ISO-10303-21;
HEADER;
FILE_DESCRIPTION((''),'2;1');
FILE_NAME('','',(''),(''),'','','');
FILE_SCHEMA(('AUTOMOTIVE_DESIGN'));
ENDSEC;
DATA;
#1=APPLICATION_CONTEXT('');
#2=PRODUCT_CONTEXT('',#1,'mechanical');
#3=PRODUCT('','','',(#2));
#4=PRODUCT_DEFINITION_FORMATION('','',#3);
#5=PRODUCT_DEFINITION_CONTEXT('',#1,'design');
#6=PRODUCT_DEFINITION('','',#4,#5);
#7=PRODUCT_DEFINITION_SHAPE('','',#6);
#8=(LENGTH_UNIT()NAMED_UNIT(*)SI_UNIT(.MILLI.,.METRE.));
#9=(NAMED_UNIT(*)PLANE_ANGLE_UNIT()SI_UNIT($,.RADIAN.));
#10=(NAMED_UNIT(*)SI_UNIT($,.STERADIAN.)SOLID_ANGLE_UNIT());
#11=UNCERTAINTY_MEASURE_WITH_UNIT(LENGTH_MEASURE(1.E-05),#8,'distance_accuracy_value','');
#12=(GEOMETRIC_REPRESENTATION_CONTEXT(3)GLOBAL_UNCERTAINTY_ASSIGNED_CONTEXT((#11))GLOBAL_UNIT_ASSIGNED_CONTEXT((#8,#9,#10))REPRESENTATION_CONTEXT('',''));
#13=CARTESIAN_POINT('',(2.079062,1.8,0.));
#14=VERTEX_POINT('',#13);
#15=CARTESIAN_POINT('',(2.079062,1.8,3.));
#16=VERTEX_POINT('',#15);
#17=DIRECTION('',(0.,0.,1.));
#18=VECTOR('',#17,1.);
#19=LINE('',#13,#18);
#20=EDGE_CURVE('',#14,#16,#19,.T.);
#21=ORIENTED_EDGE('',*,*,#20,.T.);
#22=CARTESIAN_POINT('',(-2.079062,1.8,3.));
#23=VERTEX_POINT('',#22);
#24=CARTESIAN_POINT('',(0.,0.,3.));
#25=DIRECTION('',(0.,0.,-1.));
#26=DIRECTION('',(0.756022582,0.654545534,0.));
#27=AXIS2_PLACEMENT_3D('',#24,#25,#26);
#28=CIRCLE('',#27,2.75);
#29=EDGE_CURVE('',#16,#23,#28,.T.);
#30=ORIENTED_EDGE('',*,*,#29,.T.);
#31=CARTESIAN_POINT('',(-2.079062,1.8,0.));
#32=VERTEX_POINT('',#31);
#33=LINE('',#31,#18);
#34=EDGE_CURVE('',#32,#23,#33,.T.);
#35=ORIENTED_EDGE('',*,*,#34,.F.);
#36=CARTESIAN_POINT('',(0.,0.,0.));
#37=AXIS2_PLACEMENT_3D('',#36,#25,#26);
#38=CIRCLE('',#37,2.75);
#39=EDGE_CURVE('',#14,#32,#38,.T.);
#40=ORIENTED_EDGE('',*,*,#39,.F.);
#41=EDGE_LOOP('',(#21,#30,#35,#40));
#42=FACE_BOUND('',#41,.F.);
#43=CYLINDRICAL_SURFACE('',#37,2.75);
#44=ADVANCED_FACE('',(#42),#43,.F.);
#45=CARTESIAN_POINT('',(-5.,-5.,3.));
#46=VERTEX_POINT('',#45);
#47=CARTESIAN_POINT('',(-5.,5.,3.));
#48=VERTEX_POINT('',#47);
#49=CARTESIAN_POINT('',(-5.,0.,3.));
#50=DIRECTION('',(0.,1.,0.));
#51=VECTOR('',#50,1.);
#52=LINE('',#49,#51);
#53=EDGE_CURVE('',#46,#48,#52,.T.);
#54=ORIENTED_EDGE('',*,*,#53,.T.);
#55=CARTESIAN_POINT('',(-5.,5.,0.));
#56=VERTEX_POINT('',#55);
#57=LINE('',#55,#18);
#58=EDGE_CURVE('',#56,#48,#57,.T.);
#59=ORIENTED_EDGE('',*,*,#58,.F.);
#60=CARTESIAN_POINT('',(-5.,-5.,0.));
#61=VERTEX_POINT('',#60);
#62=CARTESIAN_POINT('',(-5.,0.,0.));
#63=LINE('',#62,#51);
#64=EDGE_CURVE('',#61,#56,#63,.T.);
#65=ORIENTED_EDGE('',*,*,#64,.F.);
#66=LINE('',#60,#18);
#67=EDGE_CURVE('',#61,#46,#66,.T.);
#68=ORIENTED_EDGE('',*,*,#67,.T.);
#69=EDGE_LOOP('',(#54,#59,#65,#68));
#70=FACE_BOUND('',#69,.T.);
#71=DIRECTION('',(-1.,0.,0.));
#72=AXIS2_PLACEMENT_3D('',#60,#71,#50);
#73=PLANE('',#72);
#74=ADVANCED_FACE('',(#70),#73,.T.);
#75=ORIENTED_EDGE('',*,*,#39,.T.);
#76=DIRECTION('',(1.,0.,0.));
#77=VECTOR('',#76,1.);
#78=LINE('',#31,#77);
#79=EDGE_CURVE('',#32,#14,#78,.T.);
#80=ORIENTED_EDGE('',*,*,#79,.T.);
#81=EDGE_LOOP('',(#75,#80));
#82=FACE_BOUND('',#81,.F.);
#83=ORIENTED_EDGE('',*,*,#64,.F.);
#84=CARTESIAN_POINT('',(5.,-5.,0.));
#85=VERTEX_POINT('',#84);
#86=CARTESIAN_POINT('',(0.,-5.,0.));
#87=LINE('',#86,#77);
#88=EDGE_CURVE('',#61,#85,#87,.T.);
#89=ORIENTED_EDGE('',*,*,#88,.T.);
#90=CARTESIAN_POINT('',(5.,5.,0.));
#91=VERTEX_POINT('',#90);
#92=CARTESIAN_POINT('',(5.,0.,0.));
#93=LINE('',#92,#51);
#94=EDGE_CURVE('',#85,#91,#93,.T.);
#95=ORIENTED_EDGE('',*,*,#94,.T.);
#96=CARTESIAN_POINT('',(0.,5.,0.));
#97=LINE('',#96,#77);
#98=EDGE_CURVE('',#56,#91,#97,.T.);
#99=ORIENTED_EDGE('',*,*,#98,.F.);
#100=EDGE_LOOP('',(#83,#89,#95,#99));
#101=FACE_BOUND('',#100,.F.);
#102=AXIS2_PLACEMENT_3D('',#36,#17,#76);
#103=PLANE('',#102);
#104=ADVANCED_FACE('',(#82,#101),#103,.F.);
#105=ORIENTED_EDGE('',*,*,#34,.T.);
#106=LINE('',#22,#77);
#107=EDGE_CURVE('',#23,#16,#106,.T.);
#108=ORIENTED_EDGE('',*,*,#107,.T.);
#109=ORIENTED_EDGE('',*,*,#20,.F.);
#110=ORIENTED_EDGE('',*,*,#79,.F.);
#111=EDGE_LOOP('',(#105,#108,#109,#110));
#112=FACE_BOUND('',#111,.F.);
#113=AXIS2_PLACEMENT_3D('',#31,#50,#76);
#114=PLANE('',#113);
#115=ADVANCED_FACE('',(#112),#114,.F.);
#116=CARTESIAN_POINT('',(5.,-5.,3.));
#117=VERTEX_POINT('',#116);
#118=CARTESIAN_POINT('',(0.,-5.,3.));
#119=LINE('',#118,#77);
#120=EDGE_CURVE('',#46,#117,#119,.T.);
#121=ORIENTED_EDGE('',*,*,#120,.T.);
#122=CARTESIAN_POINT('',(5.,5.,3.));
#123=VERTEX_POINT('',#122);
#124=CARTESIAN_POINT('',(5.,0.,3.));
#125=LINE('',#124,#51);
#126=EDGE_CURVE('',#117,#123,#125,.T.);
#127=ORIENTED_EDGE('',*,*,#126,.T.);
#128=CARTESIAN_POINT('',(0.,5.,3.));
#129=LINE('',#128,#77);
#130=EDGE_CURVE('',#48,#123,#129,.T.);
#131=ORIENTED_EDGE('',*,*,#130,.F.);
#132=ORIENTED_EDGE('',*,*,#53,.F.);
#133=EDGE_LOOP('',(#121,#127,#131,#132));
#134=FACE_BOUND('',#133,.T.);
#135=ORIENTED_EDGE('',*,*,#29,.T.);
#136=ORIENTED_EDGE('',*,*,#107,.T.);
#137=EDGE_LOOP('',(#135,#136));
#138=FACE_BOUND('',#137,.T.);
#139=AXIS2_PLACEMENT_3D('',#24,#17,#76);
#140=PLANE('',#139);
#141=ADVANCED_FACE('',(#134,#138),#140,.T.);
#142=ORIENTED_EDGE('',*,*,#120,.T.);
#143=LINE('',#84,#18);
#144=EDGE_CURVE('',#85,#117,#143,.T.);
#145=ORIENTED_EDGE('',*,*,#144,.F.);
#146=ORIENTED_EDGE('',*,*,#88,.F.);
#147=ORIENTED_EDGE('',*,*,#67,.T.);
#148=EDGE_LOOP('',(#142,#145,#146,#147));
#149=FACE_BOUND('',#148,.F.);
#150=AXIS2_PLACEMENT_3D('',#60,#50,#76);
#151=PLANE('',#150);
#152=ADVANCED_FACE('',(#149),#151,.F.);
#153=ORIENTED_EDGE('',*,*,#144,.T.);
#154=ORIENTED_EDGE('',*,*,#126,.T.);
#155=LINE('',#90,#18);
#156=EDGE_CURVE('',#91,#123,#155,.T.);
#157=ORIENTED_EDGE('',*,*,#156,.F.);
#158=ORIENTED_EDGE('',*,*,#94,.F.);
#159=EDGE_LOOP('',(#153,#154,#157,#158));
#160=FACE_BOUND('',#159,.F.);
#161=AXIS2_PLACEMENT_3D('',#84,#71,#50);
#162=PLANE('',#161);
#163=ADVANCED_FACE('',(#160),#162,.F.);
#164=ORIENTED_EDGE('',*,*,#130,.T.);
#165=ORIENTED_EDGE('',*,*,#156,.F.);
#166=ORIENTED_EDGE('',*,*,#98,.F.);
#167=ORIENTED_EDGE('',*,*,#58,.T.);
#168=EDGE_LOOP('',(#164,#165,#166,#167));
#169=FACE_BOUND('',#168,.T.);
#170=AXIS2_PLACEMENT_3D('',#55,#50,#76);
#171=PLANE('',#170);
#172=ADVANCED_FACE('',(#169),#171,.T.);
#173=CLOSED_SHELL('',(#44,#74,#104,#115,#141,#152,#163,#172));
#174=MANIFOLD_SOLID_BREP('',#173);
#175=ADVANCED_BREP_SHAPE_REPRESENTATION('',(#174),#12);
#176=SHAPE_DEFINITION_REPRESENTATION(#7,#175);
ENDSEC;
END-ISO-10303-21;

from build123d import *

# Parameters (mm, degrees)
F0_W     = 10
F0_H     = 10
F1_DEPTH = 3


with BuildPart() as f1:
    # F0 (on Top) → F1 (new body)
    with BuildSketch(Plane.XY):
        Rectangle(F0_W, F0_H)
        with BuildLine():
            ThreePointArc((2.079062, 1.8), (0, -2.75), (-2.079062, 1.8))
            Line((-2.079062, 1.8), (2.079062, 1.8))
        make_face(mode=Mode.SUBTRACT)
    extrude(amount=F1_DEPTH)


solid = f1.part
